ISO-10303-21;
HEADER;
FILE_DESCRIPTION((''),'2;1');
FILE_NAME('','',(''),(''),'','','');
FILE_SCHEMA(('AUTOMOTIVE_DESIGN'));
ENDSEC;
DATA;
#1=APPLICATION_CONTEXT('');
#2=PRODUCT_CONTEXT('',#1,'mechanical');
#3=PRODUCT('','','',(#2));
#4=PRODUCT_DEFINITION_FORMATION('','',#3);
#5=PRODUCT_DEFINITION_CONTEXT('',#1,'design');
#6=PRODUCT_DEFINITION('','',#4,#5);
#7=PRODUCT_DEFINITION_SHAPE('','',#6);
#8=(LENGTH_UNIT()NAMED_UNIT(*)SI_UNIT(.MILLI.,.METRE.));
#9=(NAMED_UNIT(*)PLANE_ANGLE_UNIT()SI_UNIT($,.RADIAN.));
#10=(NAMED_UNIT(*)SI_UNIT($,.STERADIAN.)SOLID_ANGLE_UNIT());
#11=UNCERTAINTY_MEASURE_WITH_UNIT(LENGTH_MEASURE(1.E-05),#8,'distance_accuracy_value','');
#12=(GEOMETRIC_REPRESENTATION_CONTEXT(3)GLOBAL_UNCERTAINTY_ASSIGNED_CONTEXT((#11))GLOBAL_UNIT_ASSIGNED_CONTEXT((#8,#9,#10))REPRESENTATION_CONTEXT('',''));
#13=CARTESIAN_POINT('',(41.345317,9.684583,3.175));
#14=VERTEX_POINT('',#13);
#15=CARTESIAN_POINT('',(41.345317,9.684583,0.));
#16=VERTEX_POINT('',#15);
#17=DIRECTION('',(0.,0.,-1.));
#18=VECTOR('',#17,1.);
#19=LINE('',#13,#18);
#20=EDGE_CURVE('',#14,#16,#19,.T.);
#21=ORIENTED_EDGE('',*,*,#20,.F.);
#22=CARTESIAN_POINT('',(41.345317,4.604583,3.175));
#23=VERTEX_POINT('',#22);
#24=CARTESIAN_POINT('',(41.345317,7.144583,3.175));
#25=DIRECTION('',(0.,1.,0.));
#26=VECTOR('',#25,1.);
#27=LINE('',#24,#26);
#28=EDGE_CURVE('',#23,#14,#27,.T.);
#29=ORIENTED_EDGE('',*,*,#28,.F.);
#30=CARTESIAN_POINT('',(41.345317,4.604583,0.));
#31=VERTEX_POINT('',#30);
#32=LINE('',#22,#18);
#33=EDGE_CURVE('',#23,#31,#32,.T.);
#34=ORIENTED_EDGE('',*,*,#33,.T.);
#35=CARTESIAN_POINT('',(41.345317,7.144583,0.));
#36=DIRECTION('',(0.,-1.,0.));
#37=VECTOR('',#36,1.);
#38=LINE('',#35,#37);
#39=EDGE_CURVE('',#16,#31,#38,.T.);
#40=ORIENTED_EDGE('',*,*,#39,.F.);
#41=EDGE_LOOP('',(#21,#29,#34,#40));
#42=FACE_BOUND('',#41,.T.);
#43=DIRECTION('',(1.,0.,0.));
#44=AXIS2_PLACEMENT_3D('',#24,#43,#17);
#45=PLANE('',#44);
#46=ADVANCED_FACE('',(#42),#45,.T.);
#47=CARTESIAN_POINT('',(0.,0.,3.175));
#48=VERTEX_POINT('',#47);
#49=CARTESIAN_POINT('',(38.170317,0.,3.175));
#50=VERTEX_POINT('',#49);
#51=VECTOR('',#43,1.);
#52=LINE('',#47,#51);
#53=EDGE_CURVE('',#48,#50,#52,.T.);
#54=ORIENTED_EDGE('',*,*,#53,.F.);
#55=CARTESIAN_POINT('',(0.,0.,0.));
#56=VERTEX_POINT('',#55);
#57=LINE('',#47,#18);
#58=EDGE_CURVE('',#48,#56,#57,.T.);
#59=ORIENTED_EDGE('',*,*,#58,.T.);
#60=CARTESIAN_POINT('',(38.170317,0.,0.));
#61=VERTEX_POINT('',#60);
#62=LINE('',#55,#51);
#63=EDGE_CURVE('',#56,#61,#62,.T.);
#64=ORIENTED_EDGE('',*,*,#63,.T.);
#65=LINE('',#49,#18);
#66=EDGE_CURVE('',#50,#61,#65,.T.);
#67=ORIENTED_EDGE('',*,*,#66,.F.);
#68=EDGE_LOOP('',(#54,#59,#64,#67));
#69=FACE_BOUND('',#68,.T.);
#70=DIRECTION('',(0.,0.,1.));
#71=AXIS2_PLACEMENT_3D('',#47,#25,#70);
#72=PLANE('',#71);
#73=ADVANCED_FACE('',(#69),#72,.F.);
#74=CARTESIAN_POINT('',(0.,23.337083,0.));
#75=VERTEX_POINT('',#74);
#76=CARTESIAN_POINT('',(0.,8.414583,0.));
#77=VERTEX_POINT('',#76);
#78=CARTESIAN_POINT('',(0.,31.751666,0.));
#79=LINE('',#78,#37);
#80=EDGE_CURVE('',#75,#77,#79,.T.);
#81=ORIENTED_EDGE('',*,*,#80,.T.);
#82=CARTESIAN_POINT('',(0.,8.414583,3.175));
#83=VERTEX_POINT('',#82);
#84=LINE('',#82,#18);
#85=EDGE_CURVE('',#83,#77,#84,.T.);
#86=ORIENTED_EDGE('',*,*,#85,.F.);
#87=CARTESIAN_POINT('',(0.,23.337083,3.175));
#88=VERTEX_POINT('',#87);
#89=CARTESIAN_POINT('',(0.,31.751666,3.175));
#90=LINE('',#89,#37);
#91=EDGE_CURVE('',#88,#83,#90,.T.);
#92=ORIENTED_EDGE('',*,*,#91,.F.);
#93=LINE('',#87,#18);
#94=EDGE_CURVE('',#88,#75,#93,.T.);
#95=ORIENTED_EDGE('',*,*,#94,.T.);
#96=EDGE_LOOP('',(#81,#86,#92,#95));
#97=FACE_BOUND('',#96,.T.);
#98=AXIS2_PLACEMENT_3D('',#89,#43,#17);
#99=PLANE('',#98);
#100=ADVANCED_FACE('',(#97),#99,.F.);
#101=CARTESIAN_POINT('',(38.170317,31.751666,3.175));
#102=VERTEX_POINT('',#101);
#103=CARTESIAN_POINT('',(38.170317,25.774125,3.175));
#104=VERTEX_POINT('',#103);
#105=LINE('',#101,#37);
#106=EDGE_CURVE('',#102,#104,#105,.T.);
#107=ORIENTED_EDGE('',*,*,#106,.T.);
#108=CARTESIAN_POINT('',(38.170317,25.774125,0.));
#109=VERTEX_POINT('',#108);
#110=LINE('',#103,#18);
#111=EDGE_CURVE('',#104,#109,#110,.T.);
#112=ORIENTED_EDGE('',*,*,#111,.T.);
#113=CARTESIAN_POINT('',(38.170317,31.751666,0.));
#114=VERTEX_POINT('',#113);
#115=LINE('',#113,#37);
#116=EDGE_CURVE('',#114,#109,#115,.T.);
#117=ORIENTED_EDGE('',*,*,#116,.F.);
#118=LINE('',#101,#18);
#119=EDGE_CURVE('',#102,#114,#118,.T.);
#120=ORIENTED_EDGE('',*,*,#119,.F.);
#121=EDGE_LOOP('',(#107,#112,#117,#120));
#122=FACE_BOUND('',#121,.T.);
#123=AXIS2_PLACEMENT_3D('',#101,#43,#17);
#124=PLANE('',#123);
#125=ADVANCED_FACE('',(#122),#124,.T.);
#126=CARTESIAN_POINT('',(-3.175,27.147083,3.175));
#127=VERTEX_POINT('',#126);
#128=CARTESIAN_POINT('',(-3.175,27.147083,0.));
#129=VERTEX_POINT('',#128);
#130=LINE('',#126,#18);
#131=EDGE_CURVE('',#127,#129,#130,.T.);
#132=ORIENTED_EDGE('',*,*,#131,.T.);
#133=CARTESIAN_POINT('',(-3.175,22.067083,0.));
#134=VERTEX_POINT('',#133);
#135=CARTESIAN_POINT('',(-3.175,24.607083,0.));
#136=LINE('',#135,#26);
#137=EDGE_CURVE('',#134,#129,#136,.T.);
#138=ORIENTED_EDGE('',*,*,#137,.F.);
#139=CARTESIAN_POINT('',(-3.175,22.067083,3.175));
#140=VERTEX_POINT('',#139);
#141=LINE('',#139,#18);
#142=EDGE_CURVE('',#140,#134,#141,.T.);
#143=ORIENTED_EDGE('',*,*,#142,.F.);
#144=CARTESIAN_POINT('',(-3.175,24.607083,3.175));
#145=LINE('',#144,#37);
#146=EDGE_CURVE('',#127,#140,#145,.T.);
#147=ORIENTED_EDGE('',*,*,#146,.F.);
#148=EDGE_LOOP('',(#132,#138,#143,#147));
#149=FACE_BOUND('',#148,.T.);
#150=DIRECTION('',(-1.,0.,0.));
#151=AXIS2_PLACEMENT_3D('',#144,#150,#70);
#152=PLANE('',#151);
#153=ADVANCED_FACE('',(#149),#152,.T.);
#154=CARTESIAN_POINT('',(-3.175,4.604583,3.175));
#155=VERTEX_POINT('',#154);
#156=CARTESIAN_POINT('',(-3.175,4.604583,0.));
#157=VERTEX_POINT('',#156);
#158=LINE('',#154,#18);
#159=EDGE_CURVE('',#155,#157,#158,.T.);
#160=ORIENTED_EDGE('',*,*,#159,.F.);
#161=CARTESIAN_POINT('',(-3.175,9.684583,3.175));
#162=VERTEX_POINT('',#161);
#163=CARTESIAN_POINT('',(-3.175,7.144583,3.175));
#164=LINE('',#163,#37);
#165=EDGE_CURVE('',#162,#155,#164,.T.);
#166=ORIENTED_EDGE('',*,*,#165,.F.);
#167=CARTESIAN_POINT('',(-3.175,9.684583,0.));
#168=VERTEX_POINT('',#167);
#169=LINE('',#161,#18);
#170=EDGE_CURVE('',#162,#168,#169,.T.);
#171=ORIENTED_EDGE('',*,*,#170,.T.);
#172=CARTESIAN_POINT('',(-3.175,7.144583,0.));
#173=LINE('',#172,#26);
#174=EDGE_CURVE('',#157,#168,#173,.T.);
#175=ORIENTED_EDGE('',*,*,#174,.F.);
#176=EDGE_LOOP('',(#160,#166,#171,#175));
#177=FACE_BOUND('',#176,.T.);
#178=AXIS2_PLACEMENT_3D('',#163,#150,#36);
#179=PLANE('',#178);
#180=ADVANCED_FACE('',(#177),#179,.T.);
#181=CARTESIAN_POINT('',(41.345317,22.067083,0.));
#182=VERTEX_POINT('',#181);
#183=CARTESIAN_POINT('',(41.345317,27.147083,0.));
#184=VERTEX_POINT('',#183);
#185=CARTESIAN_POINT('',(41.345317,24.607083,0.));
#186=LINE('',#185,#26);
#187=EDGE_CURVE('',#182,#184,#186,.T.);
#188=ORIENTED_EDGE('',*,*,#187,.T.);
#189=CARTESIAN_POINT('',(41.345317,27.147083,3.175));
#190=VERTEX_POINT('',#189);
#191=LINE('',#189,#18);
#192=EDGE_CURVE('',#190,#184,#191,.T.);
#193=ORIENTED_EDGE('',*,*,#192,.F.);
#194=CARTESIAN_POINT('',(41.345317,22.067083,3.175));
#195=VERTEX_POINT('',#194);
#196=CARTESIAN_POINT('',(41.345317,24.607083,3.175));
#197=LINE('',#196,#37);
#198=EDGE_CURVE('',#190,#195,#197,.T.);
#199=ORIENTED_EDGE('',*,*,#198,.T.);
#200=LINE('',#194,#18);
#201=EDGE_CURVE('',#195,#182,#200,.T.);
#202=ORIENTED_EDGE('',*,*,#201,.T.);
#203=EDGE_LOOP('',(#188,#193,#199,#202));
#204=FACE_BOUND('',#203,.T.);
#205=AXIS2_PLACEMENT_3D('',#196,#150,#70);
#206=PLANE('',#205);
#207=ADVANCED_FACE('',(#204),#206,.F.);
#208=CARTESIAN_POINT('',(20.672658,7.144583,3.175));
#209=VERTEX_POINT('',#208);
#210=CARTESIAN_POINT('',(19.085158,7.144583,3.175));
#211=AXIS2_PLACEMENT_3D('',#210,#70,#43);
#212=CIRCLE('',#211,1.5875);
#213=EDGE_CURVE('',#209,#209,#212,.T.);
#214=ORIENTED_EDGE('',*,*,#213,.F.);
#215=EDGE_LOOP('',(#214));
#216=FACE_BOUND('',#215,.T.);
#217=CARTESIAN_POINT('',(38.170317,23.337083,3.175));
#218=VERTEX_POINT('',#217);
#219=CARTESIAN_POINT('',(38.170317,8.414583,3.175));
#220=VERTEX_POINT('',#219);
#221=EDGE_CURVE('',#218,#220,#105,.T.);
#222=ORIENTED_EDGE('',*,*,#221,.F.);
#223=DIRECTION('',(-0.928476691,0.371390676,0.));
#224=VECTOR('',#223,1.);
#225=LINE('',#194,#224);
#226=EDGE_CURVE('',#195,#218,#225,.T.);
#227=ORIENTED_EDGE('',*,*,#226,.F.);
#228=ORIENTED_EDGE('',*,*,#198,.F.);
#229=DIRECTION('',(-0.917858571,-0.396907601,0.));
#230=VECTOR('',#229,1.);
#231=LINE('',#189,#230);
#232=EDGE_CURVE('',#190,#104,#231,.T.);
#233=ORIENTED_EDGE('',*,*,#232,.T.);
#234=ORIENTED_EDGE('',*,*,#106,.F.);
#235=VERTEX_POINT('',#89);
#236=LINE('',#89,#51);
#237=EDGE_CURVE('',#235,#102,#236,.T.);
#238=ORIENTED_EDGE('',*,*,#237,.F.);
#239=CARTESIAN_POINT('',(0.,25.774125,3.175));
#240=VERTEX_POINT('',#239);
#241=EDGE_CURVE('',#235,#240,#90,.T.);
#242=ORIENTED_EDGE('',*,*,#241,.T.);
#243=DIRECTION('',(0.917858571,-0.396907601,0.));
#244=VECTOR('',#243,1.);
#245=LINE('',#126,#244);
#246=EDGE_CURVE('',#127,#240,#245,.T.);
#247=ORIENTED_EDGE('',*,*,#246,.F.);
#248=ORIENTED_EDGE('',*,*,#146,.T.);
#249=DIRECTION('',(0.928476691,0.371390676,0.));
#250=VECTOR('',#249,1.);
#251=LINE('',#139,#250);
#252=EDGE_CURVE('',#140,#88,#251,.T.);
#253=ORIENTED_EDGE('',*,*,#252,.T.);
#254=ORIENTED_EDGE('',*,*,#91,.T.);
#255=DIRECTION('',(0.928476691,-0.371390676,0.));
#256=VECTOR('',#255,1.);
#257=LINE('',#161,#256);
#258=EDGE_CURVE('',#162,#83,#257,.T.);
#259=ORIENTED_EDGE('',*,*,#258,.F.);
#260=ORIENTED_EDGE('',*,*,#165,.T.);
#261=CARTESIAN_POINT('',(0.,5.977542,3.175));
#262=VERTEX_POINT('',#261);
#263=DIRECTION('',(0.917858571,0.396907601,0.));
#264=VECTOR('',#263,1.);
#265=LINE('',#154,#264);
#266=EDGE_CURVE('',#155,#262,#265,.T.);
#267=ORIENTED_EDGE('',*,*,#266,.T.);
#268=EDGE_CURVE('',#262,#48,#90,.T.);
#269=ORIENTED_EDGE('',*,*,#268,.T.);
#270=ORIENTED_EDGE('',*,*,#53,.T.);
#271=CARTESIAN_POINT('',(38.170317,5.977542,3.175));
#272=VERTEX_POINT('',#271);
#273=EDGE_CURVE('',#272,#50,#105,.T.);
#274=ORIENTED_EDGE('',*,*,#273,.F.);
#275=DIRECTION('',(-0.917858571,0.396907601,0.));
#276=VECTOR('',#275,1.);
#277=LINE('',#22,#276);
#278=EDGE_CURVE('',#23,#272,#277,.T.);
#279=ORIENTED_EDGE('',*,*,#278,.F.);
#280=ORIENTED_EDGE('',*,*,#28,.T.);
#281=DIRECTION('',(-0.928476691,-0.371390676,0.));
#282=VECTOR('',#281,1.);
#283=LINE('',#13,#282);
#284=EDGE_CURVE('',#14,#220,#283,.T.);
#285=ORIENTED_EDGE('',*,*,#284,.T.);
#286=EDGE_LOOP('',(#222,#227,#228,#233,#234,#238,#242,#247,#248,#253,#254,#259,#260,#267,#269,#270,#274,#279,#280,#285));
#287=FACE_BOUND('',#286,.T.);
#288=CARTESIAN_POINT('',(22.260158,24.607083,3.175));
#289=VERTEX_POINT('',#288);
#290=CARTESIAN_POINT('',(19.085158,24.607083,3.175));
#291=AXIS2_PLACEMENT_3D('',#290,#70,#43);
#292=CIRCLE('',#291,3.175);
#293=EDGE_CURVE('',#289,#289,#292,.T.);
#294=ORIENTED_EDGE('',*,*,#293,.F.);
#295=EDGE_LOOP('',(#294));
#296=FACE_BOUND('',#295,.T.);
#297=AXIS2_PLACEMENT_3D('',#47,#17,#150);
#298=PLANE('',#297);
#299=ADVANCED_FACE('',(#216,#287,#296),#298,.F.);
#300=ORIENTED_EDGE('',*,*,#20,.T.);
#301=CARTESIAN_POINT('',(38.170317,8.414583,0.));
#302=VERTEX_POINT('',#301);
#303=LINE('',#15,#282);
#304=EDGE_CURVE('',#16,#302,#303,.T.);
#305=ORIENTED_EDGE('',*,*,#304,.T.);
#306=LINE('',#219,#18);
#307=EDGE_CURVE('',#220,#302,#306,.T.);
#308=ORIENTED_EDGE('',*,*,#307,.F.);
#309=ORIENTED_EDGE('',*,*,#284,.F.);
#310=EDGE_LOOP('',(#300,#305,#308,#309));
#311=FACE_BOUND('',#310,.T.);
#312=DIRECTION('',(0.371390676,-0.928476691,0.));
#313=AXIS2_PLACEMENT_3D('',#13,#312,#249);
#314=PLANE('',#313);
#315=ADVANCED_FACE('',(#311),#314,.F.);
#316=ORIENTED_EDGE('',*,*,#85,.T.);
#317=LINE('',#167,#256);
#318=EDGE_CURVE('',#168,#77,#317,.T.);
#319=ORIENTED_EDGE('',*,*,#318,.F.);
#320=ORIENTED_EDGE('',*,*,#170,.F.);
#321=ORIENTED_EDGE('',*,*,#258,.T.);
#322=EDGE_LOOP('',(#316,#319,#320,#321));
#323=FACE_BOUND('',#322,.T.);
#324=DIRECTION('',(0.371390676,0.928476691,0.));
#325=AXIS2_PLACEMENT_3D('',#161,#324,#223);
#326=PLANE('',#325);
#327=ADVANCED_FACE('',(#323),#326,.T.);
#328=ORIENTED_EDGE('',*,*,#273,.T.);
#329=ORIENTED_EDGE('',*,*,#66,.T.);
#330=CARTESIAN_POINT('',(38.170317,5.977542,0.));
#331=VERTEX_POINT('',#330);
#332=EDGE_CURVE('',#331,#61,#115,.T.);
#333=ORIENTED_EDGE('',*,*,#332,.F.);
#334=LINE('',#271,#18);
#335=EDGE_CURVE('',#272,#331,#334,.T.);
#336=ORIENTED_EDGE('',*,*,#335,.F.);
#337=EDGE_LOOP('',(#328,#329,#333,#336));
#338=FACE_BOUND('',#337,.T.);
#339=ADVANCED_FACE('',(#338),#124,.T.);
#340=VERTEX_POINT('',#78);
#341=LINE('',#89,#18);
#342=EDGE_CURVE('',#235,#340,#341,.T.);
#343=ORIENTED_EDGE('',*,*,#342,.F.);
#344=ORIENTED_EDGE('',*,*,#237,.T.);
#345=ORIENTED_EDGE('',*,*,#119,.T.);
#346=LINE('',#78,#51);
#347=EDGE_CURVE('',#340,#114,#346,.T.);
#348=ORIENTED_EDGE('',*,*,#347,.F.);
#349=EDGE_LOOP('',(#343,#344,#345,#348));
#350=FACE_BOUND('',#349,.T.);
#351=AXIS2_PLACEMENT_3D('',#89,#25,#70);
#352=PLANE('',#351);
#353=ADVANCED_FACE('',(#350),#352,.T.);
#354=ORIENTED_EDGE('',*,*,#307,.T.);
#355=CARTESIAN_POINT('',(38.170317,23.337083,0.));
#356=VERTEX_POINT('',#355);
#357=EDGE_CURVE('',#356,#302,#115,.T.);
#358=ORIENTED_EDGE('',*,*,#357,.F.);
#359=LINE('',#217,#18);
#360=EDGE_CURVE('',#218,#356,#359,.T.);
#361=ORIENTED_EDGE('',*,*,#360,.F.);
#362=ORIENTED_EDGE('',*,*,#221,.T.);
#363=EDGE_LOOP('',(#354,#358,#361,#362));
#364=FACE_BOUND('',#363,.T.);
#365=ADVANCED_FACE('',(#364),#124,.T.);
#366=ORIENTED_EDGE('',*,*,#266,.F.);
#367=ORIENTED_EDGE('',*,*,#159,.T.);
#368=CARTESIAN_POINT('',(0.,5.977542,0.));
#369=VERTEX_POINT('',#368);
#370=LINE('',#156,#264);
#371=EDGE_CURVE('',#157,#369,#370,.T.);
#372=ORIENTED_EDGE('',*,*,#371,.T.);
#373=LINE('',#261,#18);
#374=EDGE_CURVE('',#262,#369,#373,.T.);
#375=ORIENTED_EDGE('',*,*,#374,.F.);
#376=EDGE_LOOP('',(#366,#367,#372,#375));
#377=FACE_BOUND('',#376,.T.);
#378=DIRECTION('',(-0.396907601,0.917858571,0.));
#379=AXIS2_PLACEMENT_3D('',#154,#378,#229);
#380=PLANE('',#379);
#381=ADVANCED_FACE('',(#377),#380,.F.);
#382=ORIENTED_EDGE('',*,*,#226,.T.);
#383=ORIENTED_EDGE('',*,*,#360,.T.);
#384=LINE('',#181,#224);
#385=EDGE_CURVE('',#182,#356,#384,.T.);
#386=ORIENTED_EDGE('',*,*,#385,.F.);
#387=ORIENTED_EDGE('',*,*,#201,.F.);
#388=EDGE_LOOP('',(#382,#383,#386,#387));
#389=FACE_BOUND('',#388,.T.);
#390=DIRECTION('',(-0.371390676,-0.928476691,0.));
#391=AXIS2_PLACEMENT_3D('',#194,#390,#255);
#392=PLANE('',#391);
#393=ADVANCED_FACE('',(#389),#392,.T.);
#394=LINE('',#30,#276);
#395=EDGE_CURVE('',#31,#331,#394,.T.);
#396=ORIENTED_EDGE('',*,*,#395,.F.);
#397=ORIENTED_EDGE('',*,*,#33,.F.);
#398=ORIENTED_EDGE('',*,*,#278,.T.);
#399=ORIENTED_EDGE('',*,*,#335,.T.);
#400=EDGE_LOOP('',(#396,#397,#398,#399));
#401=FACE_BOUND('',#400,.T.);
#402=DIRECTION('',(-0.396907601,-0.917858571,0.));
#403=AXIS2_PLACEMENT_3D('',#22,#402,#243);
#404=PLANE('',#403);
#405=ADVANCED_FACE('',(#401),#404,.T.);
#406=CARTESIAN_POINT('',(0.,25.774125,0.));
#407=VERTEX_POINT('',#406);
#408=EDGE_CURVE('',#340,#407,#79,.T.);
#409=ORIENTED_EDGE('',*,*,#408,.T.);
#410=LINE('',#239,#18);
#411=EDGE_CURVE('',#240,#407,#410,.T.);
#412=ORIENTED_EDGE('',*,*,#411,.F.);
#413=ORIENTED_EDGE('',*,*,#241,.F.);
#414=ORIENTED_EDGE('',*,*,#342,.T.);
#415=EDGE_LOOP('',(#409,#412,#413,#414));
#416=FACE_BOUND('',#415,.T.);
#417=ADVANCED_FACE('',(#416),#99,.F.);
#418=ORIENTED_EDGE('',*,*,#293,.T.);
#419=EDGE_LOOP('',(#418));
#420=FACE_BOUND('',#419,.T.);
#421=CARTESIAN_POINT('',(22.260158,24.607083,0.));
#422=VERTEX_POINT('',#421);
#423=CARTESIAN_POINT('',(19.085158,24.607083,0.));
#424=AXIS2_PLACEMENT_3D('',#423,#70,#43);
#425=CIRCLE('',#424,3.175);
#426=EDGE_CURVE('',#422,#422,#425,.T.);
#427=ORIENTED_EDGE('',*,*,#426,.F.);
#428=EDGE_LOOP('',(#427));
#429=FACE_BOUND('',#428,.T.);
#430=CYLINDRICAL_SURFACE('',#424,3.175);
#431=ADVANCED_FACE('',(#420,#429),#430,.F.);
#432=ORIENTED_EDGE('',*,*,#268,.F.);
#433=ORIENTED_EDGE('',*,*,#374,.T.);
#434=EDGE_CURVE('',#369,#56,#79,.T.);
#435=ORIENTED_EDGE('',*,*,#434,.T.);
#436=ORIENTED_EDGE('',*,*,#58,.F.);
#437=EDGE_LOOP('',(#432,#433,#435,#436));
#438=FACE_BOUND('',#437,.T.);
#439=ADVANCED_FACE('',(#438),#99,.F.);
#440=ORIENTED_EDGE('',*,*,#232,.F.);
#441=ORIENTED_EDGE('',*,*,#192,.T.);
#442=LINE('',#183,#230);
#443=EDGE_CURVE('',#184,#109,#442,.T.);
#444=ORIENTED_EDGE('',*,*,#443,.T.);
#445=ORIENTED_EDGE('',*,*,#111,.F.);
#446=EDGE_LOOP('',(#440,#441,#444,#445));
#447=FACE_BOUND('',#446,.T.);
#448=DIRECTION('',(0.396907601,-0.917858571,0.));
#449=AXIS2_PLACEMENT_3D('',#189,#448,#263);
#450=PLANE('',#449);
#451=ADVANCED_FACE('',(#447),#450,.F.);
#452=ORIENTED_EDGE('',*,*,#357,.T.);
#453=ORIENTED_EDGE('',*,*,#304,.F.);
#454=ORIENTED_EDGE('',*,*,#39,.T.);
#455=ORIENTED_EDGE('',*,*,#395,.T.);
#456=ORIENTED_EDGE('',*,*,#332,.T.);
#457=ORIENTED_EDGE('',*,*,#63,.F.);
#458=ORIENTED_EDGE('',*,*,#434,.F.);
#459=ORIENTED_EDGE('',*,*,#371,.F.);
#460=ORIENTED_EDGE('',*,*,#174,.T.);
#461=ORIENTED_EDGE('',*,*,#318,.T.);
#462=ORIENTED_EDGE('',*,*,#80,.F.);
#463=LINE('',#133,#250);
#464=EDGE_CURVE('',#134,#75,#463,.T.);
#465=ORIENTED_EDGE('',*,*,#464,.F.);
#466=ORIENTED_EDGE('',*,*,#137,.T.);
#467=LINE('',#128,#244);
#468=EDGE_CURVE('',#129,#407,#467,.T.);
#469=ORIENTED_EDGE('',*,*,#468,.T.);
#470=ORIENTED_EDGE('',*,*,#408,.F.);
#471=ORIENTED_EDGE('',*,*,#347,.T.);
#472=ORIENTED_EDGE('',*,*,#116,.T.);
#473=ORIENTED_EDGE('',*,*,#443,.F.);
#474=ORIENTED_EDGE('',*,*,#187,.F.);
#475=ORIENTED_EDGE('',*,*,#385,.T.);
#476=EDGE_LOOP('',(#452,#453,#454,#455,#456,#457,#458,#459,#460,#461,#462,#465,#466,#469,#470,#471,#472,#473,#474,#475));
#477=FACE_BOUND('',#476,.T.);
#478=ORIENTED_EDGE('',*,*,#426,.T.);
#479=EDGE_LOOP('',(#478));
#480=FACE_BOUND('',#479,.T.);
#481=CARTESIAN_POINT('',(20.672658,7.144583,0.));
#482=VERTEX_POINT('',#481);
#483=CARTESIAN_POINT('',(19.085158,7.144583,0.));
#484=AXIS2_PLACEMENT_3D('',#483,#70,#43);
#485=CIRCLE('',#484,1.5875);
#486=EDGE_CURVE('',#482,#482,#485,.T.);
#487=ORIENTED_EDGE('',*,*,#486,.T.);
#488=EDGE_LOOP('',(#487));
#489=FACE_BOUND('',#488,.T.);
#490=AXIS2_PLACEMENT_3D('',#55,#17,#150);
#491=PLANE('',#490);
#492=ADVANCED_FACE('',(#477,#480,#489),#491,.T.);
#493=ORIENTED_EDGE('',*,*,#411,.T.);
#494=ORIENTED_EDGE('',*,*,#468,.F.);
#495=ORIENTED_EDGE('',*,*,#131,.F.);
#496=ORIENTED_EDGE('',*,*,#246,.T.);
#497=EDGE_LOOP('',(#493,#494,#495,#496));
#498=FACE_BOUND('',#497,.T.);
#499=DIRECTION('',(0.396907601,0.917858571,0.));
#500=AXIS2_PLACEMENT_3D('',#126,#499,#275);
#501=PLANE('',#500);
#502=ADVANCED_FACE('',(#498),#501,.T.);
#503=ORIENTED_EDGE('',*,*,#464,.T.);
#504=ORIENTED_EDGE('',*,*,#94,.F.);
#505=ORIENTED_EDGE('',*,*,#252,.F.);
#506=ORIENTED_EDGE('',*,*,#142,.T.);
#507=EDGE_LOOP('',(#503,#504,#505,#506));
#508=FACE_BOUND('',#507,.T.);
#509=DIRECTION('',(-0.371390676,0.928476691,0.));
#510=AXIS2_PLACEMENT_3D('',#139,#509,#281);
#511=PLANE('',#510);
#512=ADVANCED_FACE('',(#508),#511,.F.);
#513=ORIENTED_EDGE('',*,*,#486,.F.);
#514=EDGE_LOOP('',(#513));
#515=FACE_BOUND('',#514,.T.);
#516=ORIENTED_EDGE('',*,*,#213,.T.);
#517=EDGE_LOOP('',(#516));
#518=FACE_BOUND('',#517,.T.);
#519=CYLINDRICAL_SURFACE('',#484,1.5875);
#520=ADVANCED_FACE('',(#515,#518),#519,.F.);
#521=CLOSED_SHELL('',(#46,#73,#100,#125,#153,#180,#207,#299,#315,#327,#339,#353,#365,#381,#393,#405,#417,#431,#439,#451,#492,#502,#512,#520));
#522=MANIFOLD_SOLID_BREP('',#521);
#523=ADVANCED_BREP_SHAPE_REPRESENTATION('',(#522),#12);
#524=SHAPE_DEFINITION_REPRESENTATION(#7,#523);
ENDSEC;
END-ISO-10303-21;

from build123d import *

# Parameters (mm, degrees)
SKETCH1_W           = 38.170316933
SKETCH1_H           = 31.751666379
BOSS_EXTRUDE1_DEPTH = 3.175
SKETCH2_R           = 3.175
SKETCH2_R_2         = 1.5875
CUT_EXTRUDE1_DEPTH  = 3.175


with BuildPart() as part:
    # Sketch1 → Boss-Extrude1 (new body)
    with BuildSketch(Plane.XY):
        with Locations((19.085158467, 15.87583319)):
            Rectangle(SKETCH1_W, SKETCH1_H)
        Polygon((-3.175, 24.607083189), (-3.175, 27.147083189), (0, 25.774124793), (0, 23.337083189), (-3.175, 22.067083189), align=None)
        Polygon((-3.175, 7.144583189), (-3.175, 9.684583189), (0, 8.414583189), (0, 5.977541585), (-3.175, 4.604583189), align=None)
        Polygon((41.345316933, 7.144583189), (41.345316933, 4.604583189), (38.170316933, 5.977541585), (38.170316933, 8.414583189), (41.345316933, 9.684583189), align=None)
        Polygon((41.345316933, 24.607083189), (41.345316933, 22.067083189), (38.170316933, 23.337083189), (38.170316933, 25.774124793), (41.345316933, 27.147083189), align=None)
    extrude(amount=BOSS_EXTRUDE1_DEPTH)

    # Sketch2 → Cut-Extrude1 (cut)
    with BuildSketch(Plane.XY.offset(3.175)):
        with Locations((19.085158466, 24.607083189)):
            Circle(SKETCH2_R)
        with Locations((19.085158466, 7.144583189)):
            Circle(SKETCH2_R_2)
    extrude(amount=-CUT_EXTRUDE1_DEPTH, mode=Mode.SUBTRACT)


solid = part.part
